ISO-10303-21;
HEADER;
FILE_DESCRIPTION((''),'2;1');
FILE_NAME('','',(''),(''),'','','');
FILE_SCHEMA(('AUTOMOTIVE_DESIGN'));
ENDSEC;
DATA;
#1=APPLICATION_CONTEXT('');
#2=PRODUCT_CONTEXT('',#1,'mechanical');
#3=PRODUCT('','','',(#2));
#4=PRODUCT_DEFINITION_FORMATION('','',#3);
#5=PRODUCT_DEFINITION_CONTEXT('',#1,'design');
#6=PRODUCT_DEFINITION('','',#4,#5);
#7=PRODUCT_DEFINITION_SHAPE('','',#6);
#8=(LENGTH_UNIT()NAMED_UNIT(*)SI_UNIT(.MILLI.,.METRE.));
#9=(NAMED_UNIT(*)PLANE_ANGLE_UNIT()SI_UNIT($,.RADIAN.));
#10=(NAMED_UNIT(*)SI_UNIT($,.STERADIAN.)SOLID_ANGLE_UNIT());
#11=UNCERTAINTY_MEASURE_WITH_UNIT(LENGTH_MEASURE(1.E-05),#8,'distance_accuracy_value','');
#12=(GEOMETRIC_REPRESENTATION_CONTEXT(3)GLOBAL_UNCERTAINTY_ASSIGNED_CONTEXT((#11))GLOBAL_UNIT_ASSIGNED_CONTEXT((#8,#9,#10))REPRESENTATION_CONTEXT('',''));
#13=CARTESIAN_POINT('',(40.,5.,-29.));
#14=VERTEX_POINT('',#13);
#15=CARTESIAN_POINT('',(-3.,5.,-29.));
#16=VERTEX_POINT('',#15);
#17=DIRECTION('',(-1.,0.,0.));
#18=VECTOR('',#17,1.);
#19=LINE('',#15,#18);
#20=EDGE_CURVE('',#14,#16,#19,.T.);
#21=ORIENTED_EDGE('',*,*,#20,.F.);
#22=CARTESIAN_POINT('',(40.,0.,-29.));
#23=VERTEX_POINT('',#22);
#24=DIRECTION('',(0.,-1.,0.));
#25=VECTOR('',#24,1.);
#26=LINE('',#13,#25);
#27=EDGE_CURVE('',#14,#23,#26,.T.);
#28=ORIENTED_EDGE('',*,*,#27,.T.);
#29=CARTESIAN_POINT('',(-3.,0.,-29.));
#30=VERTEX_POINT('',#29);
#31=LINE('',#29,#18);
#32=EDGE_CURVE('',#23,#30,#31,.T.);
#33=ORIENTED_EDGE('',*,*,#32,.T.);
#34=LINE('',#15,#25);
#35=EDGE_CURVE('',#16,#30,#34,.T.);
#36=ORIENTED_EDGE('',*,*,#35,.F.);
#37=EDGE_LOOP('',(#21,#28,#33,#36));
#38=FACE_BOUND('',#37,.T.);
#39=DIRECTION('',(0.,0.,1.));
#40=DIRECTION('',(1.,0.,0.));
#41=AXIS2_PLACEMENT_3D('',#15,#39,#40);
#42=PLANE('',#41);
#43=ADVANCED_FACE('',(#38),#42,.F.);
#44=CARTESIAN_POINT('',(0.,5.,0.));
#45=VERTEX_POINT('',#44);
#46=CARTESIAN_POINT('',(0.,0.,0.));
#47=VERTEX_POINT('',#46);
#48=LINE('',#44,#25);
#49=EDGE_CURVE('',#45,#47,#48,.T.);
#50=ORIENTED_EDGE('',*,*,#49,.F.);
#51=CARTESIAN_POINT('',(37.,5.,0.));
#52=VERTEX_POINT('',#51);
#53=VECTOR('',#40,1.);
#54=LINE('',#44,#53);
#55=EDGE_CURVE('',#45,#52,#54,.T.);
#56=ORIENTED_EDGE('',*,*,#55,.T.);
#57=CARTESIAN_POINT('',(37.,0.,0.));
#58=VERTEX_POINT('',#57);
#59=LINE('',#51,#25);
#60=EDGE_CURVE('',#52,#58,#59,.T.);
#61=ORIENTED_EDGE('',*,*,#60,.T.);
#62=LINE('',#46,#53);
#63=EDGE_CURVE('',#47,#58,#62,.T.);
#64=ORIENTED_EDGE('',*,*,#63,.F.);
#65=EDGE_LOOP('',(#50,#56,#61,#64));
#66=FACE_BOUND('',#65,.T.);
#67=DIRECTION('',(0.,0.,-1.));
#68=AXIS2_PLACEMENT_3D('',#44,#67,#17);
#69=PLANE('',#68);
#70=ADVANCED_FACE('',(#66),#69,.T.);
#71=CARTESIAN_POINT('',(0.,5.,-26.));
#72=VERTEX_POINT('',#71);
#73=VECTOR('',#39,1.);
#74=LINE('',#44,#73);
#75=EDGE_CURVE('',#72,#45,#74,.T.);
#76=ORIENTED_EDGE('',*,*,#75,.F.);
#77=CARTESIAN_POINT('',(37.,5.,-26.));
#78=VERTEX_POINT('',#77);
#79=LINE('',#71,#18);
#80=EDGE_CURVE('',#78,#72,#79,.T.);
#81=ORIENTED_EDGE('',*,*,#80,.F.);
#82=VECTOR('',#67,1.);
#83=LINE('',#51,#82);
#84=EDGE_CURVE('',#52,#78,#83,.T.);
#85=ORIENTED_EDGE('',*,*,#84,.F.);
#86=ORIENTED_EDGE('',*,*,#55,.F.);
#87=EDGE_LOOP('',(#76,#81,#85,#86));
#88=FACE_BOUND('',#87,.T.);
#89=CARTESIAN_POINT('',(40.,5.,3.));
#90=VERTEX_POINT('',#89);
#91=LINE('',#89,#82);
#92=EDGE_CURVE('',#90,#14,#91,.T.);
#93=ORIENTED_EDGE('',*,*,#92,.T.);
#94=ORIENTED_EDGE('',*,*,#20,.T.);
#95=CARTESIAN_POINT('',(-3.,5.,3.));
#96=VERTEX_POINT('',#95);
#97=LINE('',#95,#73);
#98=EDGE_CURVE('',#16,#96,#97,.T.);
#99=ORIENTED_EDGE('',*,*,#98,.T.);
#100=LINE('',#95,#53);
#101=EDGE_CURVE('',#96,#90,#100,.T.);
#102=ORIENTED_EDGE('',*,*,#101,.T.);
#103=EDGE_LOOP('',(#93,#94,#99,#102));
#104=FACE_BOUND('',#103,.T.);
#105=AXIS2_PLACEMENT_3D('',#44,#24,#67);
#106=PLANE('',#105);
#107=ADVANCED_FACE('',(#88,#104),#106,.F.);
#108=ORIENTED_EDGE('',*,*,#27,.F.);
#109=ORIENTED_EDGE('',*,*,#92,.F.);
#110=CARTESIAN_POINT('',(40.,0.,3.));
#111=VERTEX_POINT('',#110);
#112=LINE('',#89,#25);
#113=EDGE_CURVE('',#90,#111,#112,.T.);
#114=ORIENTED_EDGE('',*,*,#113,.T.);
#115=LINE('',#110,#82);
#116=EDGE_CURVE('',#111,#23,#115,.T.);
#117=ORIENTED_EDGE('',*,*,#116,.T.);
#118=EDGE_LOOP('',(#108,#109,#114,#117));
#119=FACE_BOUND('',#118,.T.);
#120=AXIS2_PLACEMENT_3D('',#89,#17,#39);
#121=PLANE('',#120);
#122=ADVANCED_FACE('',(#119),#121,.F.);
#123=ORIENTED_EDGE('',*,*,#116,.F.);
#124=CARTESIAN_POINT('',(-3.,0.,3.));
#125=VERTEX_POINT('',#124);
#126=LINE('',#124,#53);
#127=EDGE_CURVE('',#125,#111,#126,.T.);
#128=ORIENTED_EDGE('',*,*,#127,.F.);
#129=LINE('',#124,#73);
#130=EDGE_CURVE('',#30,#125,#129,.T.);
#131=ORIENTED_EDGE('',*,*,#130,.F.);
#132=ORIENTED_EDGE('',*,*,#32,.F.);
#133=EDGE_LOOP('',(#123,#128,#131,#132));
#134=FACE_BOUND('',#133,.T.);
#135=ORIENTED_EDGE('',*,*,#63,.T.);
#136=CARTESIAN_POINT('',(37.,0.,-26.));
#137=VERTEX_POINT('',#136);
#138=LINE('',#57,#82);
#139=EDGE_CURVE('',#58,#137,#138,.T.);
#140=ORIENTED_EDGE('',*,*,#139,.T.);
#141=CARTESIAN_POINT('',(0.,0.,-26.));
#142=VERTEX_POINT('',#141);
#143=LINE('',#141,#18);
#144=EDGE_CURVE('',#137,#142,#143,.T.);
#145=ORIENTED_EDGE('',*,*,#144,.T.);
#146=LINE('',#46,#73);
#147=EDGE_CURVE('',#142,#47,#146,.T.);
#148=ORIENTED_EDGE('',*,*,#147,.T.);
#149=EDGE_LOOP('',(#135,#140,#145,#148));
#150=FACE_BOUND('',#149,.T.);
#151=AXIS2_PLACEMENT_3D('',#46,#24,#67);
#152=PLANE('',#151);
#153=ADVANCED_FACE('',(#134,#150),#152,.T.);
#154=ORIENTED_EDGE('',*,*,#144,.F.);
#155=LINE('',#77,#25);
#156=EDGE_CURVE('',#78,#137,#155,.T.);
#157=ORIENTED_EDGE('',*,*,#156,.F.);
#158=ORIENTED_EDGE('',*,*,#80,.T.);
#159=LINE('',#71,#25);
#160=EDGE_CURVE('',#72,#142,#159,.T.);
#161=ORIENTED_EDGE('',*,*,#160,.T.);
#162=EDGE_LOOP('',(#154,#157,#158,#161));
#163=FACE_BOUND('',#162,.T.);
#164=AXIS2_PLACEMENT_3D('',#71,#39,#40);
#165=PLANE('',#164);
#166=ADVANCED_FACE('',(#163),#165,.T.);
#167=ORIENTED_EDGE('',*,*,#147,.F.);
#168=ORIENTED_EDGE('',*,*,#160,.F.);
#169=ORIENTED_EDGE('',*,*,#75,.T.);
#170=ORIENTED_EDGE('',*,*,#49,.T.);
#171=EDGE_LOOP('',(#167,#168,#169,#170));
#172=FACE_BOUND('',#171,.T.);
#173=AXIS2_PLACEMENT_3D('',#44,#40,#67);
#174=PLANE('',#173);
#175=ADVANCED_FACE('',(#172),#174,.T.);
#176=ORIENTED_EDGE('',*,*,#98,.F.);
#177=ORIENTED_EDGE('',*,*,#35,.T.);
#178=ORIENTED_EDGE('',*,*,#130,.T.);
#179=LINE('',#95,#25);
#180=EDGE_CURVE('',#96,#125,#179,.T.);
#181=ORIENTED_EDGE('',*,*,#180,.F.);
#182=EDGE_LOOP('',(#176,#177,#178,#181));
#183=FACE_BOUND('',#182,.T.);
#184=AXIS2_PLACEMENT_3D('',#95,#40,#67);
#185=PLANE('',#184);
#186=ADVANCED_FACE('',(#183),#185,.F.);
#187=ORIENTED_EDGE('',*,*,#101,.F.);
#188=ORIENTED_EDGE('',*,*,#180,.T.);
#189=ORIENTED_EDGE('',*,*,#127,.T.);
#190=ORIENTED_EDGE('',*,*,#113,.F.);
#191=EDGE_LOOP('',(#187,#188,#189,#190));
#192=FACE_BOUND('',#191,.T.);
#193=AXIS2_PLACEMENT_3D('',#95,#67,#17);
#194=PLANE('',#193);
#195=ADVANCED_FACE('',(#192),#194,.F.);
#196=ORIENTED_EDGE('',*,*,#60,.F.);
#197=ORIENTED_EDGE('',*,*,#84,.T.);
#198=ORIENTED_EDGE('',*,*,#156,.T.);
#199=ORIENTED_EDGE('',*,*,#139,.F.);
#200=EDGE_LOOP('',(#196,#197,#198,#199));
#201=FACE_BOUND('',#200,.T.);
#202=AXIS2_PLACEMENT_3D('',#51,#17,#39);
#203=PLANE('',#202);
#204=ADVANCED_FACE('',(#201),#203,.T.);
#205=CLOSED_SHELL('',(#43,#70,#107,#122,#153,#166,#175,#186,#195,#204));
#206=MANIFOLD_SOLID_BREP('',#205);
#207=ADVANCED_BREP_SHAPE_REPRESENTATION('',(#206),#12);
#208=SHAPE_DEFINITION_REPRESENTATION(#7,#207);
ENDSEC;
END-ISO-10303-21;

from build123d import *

# Parameters (mm, degrees)
SKETCH1_W           = 43
SKETCH1_H           = 32
SKETCH1_W_2         = 37
SKETCH1_H_2         = 26
BOSS_EXTRUDE1_DEPTH = 5


with BuildPart() as part:
    # Sketch1 → Boss-Extrude1 (new body)
    with BuildSketch(Plane(origin=(0, 0, 0), x_dir=(1, 0, 0), z_dir=(0, 1, 0))):
        with Locations((18.5, 13)):
            Rectangle(SKETCH1_W, SKETCH1_H)
        with Locations((18.5, 13)):
            Rectangle(SKETCH1_W_2, SKETCH1_H_2, mode=Mode.SUBTRACT)
    extrude(amount=BOSS_EXTRUDE1_DEPTH)


solid = part.part
